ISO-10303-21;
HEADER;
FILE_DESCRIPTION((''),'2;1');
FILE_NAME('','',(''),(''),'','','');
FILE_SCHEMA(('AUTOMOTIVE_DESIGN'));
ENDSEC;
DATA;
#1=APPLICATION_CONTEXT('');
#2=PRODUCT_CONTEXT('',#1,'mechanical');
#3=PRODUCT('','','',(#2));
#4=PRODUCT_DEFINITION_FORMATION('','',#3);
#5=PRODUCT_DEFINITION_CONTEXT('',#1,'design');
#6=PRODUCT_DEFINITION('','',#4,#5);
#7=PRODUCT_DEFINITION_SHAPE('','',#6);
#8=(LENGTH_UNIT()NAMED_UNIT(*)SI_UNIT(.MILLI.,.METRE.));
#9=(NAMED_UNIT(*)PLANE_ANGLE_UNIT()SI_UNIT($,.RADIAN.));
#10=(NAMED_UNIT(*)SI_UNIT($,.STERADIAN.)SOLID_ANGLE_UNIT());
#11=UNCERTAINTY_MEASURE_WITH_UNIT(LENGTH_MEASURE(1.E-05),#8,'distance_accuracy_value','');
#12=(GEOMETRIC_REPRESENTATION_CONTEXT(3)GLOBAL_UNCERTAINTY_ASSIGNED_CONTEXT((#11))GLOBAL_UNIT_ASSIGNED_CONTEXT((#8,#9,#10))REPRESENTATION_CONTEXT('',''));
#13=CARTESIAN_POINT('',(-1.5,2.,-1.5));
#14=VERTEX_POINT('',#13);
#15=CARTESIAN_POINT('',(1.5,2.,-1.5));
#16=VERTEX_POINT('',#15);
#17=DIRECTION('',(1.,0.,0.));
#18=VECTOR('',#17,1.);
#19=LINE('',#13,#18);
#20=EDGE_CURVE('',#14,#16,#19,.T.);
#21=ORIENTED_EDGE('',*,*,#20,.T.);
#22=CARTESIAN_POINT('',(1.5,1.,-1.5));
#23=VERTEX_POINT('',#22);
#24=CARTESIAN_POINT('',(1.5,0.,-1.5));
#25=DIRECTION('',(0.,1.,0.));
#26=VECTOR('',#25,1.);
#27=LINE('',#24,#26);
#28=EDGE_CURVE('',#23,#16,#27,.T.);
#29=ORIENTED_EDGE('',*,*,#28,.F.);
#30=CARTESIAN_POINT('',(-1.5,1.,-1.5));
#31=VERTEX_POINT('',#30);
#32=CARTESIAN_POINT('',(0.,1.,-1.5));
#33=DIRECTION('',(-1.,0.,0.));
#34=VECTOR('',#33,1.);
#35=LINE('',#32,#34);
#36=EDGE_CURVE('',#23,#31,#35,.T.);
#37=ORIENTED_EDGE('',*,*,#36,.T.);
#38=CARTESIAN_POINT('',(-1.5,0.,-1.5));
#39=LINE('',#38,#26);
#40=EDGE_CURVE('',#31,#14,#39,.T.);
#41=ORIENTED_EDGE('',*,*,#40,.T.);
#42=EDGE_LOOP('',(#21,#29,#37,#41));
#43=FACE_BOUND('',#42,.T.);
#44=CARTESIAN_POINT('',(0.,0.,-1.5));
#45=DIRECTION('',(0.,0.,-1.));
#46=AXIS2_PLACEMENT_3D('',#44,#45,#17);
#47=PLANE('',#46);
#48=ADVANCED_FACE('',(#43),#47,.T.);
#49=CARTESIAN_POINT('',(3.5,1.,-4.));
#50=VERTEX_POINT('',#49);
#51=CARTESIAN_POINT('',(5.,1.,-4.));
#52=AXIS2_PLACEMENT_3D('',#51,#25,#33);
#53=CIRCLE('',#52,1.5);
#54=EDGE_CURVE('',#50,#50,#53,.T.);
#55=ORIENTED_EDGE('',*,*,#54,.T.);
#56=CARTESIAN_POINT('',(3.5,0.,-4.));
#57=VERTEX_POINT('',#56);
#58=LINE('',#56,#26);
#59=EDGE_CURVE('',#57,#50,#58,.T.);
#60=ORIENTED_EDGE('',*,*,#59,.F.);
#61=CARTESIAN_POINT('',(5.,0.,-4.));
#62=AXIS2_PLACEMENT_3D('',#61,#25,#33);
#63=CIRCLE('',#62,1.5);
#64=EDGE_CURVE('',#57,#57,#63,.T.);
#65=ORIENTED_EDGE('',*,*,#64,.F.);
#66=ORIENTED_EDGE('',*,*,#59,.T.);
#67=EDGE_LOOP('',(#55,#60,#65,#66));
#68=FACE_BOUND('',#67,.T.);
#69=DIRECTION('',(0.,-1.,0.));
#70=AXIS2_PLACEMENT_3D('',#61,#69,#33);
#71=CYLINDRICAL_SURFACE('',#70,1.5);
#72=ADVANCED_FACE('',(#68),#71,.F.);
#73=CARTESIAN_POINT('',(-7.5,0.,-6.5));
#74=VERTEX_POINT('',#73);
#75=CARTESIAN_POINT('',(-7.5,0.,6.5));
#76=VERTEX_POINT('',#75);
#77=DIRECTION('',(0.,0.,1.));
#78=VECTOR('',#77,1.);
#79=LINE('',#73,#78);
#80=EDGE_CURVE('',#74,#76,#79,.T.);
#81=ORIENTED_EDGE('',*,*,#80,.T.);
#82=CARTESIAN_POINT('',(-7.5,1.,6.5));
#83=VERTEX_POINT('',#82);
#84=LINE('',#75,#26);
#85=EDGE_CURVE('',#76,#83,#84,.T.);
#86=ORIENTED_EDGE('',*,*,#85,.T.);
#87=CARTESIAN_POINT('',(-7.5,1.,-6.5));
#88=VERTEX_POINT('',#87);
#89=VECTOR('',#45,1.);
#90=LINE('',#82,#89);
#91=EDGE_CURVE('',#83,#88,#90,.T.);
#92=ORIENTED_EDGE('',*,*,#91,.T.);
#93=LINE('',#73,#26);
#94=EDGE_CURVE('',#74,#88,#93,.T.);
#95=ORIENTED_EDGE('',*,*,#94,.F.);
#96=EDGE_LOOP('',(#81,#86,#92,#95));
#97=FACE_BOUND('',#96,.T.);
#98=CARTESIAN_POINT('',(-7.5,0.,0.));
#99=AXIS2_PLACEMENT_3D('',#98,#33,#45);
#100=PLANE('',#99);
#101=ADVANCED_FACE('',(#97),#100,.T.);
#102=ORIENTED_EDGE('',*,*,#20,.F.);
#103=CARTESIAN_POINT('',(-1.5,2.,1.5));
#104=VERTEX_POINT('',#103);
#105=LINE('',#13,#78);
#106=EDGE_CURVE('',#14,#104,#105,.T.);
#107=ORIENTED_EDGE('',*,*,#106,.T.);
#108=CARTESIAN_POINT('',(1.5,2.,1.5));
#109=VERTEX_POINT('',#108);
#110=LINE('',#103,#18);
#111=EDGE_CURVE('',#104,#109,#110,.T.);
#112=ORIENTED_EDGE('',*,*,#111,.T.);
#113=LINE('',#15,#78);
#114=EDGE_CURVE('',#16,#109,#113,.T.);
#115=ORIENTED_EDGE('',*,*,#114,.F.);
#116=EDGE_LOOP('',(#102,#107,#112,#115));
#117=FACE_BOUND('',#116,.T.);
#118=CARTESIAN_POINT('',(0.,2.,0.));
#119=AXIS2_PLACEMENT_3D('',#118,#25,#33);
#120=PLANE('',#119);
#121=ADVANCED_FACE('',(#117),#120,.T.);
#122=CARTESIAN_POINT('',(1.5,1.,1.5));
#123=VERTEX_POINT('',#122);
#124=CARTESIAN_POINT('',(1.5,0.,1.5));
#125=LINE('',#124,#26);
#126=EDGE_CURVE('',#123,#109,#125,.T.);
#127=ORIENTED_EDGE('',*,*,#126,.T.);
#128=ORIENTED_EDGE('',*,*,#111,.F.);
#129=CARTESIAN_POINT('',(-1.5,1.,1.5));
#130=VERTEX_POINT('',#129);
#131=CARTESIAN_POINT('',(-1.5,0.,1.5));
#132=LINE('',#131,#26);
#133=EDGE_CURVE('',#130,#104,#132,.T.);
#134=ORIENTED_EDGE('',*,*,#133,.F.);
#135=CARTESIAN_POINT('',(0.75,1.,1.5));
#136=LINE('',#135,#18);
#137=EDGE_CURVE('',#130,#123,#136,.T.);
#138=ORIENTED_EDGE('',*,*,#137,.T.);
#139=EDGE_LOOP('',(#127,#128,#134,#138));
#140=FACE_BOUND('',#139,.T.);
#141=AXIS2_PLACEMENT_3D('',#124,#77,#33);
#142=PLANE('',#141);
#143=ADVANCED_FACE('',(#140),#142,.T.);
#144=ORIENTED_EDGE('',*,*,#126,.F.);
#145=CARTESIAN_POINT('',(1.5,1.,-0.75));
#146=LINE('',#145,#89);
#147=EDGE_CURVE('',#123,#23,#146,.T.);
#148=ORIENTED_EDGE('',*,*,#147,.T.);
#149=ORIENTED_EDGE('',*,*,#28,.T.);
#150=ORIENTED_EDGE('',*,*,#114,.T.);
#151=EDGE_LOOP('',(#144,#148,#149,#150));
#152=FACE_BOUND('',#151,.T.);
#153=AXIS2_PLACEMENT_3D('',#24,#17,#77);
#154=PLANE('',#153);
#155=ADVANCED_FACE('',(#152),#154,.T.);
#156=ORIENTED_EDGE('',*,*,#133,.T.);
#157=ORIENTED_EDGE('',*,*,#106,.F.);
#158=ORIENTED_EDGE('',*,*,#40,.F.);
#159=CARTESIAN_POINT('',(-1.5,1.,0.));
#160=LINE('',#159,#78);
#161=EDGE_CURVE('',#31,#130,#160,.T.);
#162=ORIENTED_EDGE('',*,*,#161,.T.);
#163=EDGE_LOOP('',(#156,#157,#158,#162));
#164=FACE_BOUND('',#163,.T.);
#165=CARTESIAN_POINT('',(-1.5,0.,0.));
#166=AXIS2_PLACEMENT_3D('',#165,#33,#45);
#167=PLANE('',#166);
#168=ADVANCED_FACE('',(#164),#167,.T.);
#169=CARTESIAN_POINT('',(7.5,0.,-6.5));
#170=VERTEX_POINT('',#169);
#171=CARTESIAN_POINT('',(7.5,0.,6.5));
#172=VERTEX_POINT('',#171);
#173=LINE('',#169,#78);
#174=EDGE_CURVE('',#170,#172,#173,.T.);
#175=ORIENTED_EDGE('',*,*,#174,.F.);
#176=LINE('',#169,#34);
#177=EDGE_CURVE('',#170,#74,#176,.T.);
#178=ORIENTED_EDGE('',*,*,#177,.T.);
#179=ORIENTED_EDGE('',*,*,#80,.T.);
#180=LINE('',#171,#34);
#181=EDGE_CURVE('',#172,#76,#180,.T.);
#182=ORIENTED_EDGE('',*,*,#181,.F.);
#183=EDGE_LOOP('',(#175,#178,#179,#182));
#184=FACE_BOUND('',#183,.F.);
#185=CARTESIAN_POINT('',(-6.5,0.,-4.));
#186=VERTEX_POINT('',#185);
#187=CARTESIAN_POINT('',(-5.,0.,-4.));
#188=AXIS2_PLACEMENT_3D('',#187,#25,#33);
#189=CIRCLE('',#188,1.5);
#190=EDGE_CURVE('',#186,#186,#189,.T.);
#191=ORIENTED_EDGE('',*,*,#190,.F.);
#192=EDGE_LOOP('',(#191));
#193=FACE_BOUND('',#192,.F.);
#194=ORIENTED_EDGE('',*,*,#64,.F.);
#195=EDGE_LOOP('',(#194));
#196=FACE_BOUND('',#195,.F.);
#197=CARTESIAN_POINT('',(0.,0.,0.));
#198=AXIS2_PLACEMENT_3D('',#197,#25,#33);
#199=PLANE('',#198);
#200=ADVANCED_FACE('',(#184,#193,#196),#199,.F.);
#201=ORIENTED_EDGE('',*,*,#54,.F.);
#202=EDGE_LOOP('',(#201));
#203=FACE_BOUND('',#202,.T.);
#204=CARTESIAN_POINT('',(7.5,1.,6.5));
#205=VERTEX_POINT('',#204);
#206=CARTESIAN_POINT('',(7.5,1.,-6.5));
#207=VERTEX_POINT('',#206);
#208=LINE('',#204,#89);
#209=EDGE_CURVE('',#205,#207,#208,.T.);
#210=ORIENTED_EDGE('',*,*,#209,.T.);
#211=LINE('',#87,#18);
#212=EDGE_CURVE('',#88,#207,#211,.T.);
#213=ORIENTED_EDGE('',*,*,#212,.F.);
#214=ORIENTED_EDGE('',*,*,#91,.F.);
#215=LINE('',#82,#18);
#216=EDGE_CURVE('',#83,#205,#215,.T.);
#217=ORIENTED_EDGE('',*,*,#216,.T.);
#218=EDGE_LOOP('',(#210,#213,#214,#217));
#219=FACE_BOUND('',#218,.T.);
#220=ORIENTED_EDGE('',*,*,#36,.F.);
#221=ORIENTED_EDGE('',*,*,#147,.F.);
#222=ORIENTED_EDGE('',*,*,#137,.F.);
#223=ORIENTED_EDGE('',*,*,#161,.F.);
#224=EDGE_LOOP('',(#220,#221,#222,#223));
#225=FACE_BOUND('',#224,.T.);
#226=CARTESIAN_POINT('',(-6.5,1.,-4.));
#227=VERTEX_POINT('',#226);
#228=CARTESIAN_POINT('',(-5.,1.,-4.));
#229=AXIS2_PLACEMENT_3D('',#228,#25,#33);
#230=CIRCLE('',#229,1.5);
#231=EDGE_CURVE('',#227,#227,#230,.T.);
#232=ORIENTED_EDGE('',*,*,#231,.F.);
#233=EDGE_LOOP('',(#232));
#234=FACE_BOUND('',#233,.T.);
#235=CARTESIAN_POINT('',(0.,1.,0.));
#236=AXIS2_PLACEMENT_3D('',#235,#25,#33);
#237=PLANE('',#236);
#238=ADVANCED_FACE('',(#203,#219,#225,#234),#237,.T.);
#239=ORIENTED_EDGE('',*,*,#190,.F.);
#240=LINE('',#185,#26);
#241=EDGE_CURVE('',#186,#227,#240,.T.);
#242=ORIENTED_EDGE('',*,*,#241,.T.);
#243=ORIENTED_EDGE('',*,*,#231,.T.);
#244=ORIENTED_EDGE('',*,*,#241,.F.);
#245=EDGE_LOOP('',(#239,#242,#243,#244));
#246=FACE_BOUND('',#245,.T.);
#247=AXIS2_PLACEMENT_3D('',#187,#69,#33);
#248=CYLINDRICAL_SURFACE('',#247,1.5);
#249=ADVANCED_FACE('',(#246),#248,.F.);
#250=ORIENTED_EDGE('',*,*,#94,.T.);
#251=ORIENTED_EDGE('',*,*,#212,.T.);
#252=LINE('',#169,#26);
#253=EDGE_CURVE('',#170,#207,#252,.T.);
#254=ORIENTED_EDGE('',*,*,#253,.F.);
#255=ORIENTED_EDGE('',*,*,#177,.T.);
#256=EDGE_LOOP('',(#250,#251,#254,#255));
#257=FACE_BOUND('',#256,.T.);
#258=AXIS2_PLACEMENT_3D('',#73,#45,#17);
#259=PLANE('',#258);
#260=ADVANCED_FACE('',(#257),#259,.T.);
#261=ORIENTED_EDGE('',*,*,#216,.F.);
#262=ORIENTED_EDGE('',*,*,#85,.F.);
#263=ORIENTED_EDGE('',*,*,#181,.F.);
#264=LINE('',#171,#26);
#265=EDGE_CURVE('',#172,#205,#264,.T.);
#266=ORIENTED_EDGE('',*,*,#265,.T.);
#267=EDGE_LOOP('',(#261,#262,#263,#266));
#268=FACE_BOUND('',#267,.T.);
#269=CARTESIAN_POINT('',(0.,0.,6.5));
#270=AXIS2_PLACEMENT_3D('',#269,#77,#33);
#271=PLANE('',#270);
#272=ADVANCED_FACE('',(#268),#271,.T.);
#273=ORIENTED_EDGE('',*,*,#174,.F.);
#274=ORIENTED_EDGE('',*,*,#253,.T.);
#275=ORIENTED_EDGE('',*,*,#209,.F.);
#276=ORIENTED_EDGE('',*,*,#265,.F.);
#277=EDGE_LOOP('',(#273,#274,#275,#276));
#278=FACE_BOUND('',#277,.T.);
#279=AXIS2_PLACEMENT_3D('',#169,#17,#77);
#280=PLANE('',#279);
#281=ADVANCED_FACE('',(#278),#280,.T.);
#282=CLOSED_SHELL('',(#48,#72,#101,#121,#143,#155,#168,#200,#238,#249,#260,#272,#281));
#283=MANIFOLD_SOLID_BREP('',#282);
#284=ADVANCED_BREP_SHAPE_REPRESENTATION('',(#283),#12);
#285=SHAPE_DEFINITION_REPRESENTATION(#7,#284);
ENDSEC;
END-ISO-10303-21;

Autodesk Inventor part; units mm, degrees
ref_plane "YZ Plane" through (0, 0, 0) normal (1, 0, 0) x (0, 1, 0)
ref_plane "XZ Plane" through (0, 0, 0) normal (0, 1, 0) x (-1, 0, 0)
ref_plane "XY Plane" through (0, 0, 0) normal (0, 0, 1) x (1, 0, 0)
sketch "Skizze1" plane through (0, 0, 0) normal (0, 1, 0) x (-1, 0, 0)
  line L0 (7.5, -6.5) -> (-7.5, -6.5)
  line L1 (-7.5, -6.5) -> (-7.5, 6.5)
  line L2 (-7.5, 6.5) -> (7.5, 6.5)
  line L3 (7.5, 6.5) -> (7.5, -6.5)
  line L4 (10.5, 0) -> (-10.5, 0) projected
  line L5 (0, -9.1) -> (0, 9.1) projected
  line L6 (1.5, -1.5) -> (-1.5, -1.5)
  line L7 (-1.5, -1.5) -> (-1.5, 1.5)
  line L8 (-1.5, 1.5) -> (1.5, 1.5)
  line L9 (1.5, 1.5) -> (1.5, -1.5)
  circle A0 centre (5, -4) radius 1.5
  circle A1 centre (-5, -4) radius 1.5
  dimension "d0" = 15
  dimension "d1" = 13
  dimension "d10" = 3
  dimension "d11" = 3
  dimension "d12" = 3
  dimension "d13" = 2.5
  dimension "d14" = 2.5
extrude "Extrusion3" add sketch "Skizze1" along normal blind 1
extrude "Extrusion4" add sketch "Skizze1" along normal blind 2 contours L6 L7 L4 L5 | L5 L4 L9 L6 | L4 L5 L8 L9 | L4 L7 L8 L5
properties part number "Drucksensor"
